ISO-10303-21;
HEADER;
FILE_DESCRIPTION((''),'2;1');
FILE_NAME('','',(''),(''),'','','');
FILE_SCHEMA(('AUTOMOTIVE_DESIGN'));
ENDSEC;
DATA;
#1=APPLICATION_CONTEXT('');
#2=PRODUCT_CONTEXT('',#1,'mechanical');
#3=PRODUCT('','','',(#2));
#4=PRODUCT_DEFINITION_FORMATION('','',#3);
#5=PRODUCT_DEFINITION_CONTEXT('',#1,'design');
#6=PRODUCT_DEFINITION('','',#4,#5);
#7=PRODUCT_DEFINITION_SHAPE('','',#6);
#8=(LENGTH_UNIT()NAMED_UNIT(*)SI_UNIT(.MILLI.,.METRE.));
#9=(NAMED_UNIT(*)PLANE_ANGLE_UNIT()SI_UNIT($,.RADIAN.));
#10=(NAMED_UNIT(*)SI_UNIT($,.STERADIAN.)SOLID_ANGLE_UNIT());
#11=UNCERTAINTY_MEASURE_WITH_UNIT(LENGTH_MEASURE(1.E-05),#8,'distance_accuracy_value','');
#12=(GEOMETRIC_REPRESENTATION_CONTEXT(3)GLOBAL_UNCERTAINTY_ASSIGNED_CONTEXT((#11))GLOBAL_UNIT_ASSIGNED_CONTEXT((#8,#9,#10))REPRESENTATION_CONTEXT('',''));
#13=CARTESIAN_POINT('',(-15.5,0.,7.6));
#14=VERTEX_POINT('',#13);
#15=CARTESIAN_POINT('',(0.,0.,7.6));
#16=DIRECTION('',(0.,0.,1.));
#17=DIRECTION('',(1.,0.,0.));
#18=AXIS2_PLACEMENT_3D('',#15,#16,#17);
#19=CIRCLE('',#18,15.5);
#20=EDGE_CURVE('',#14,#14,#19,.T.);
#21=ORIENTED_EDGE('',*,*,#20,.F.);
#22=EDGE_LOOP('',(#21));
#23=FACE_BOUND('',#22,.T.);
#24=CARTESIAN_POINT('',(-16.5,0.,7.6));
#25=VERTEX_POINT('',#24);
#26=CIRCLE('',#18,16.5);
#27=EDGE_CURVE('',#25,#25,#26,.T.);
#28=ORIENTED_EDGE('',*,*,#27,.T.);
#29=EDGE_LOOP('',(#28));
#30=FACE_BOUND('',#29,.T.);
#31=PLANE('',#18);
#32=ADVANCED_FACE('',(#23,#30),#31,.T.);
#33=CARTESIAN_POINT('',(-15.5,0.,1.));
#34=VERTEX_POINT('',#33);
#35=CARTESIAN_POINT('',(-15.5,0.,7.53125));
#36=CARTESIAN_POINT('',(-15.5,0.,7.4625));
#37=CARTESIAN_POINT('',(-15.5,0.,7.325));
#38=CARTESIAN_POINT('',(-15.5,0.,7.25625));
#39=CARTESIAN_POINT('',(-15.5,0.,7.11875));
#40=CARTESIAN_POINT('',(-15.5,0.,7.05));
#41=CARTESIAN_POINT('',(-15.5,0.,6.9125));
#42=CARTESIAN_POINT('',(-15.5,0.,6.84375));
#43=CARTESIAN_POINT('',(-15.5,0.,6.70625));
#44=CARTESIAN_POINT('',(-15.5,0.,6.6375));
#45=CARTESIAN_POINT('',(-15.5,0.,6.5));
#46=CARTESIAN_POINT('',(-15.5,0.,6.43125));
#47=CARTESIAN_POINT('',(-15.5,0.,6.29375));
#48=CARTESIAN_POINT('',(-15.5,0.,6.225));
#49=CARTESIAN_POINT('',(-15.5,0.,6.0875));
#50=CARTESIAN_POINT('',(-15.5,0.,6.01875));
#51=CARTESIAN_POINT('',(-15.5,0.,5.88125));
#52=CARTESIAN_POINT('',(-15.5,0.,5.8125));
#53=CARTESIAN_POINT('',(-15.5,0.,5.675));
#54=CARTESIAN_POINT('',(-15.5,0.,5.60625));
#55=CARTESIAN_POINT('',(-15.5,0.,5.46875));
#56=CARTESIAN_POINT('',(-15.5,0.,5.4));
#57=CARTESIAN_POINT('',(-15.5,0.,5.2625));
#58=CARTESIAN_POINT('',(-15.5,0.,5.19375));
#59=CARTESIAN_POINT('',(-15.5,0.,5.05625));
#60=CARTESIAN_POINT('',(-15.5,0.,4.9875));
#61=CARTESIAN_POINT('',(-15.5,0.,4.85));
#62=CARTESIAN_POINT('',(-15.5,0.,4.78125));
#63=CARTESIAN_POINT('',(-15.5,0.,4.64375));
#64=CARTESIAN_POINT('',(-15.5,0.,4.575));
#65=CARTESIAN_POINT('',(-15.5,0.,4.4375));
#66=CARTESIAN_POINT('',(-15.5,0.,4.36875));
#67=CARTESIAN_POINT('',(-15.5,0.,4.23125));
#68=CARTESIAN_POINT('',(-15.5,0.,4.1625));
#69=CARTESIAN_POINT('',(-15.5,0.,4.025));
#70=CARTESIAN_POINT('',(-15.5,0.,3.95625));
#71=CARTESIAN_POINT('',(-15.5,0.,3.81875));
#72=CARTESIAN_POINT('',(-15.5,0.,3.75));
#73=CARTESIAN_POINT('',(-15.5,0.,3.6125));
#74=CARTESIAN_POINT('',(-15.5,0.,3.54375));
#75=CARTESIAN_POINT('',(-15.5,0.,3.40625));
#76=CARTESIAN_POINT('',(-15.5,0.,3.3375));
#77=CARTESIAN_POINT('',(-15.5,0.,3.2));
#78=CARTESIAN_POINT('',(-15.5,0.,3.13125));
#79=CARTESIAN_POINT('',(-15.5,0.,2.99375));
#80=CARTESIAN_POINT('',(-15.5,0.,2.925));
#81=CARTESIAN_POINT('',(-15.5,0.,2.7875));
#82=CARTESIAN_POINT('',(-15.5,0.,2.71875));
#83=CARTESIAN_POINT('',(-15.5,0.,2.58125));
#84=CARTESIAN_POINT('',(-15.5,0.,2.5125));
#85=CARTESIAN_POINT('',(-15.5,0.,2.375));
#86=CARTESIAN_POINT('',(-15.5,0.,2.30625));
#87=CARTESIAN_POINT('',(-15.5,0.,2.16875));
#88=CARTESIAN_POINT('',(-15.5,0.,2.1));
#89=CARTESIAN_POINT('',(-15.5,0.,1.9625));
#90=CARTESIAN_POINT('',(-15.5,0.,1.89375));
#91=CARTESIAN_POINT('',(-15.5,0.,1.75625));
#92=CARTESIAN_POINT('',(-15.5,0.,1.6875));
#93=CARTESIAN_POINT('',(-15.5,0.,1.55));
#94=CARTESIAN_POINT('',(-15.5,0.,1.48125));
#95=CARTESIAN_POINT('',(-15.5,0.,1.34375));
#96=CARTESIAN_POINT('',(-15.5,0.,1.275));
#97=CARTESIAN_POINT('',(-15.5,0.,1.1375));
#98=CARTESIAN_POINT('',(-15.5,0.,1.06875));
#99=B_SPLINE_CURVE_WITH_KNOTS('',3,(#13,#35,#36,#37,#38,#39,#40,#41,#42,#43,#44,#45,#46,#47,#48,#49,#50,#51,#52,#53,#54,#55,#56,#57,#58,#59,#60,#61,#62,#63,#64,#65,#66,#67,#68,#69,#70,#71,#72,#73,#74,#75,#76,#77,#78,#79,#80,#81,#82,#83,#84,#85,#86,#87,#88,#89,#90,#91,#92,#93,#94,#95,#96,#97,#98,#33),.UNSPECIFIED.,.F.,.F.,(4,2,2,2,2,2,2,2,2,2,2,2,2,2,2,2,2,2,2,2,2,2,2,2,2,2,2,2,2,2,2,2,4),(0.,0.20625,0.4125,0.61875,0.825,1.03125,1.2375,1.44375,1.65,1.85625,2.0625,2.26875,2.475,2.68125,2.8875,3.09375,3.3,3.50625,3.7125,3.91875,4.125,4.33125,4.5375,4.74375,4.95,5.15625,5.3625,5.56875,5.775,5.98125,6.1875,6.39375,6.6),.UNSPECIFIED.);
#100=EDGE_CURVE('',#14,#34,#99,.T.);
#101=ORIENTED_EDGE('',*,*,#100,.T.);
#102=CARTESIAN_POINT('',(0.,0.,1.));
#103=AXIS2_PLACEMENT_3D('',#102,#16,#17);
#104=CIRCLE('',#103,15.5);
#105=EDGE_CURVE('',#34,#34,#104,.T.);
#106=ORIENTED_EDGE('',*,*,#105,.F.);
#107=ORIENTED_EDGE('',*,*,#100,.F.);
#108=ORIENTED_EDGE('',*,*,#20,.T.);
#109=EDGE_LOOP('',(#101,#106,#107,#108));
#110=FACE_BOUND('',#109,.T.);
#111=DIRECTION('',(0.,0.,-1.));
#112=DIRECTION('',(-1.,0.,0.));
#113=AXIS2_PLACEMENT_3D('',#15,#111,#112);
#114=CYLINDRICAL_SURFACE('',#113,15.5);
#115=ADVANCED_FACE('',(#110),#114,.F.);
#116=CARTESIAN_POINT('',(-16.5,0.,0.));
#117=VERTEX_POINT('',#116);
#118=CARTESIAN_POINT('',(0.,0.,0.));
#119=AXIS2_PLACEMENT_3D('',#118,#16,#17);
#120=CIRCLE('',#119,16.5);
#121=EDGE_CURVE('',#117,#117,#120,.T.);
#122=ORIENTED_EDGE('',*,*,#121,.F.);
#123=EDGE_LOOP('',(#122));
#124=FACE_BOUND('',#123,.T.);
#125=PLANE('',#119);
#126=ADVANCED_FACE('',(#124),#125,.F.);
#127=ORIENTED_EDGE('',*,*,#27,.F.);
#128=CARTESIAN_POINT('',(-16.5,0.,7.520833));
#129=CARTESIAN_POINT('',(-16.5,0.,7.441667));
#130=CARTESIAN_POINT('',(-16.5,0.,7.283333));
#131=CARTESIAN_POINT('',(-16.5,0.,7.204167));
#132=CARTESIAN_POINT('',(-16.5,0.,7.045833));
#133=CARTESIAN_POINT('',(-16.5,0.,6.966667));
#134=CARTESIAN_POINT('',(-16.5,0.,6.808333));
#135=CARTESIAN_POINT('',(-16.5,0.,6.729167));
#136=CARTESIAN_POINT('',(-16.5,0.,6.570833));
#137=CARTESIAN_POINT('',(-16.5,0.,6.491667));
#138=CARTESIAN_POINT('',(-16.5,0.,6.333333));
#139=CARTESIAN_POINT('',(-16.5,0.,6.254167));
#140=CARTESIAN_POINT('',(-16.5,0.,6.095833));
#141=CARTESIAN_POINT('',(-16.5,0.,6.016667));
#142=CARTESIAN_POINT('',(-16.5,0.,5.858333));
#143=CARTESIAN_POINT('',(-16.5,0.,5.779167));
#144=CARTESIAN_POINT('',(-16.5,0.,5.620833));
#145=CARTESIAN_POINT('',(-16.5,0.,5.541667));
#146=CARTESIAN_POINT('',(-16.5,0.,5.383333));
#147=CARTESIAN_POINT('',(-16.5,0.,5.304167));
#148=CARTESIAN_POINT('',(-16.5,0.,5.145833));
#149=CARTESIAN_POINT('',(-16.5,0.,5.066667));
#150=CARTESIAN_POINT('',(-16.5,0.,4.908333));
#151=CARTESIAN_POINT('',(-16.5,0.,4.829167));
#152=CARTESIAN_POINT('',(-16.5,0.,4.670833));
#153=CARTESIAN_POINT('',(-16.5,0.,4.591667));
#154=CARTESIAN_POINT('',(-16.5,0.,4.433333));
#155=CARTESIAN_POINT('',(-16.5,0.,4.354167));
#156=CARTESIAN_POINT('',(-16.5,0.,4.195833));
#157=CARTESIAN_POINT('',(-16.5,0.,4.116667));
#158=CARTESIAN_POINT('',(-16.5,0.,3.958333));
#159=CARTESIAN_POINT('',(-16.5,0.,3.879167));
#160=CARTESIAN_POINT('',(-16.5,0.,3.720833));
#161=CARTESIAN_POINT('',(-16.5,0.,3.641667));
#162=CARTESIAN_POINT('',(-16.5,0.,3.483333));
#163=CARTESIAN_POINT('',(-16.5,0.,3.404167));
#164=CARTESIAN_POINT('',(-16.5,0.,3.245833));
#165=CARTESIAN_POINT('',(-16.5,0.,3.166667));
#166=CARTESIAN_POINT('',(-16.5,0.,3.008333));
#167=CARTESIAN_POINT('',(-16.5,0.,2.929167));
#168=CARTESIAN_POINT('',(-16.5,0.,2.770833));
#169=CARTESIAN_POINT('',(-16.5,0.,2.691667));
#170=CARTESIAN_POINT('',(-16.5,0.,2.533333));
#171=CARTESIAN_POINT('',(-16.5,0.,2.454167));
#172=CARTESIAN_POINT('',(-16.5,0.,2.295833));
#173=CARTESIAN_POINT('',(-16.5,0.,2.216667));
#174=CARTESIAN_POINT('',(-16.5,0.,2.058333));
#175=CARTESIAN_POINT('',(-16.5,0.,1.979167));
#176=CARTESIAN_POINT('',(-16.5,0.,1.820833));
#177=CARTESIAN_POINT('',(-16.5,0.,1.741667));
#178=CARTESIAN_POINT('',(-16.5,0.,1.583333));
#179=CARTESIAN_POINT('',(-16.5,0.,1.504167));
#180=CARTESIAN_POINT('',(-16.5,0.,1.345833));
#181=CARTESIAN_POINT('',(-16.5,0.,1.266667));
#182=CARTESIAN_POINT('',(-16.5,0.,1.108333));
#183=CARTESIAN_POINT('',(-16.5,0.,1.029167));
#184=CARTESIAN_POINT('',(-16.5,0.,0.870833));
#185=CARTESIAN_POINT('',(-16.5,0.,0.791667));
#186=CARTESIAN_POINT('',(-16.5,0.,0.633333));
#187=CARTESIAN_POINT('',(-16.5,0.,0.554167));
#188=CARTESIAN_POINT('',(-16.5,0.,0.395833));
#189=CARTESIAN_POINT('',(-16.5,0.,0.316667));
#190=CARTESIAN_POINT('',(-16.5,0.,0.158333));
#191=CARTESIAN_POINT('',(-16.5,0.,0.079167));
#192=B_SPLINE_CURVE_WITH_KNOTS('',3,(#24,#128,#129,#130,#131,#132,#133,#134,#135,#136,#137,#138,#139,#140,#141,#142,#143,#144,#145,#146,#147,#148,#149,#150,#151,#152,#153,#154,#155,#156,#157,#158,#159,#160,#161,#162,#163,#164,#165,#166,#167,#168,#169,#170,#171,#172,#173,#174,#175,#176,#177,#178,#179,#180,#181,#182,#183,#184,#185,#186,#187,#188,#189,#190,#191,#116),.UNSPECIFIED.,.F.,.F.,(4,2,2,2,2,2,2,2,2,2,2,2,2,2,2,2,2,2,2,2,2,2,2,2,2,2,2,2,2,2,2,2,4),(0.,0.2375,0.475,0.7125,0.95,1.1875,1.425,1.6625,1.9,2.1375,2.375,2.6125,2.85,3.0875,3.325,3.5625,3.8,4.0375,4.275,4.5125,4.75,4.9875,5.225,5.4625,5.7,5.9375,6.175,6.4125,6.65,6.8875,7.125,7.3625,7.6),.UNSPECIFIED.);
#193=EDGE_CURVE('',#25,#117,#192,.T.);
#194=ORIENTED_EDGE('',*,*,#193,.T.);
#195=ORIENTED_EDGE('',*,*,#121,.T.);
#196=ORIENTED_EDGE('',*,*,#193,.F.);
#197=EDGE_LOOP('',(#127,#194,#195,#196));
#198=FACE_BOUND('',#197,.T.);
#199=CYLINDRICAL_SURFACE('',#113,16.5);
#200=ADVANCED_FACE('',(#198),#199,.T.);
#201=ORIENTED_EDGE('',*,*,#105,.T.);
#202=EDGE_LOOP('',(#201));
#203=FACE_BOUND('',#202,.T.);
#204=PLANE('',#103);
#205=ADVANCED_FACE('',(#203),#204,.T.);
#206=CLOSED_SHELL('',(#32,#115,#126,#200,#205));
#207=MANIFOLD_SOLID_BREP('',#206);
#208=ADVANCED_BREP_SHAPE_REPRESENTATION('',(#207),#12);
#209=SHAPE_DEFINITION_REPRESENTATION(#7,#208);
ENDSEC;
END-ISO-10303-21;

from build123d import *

# Parameters (mm, degrees)
SKETCH1_R           = 16.5
BOSS_EXTRUDE1_DEPTH = 7.6
SHELL1_T            = -1


with BuildPart() as part:
    # Sketch1 → Boss-Extrude1 (new body)
    with BuildSketch(Plane.XY):
        with Locations(Location((0, 0, 0), (0, 0, 180))):
            Circle(SKETCH1_R)
    extrude(amount=BOSS_EXTRUDE1_DEPTH)

    # Shell1
    shell1_openings = [part.faces().sort_by_distance(p)[0] for p in [
        (0, 0, 7.6),
    ]]
    offset(amount=SHELL1_T, openings=shell1_openings, kind=Kind.INTERSECTION)


solid = part.part
